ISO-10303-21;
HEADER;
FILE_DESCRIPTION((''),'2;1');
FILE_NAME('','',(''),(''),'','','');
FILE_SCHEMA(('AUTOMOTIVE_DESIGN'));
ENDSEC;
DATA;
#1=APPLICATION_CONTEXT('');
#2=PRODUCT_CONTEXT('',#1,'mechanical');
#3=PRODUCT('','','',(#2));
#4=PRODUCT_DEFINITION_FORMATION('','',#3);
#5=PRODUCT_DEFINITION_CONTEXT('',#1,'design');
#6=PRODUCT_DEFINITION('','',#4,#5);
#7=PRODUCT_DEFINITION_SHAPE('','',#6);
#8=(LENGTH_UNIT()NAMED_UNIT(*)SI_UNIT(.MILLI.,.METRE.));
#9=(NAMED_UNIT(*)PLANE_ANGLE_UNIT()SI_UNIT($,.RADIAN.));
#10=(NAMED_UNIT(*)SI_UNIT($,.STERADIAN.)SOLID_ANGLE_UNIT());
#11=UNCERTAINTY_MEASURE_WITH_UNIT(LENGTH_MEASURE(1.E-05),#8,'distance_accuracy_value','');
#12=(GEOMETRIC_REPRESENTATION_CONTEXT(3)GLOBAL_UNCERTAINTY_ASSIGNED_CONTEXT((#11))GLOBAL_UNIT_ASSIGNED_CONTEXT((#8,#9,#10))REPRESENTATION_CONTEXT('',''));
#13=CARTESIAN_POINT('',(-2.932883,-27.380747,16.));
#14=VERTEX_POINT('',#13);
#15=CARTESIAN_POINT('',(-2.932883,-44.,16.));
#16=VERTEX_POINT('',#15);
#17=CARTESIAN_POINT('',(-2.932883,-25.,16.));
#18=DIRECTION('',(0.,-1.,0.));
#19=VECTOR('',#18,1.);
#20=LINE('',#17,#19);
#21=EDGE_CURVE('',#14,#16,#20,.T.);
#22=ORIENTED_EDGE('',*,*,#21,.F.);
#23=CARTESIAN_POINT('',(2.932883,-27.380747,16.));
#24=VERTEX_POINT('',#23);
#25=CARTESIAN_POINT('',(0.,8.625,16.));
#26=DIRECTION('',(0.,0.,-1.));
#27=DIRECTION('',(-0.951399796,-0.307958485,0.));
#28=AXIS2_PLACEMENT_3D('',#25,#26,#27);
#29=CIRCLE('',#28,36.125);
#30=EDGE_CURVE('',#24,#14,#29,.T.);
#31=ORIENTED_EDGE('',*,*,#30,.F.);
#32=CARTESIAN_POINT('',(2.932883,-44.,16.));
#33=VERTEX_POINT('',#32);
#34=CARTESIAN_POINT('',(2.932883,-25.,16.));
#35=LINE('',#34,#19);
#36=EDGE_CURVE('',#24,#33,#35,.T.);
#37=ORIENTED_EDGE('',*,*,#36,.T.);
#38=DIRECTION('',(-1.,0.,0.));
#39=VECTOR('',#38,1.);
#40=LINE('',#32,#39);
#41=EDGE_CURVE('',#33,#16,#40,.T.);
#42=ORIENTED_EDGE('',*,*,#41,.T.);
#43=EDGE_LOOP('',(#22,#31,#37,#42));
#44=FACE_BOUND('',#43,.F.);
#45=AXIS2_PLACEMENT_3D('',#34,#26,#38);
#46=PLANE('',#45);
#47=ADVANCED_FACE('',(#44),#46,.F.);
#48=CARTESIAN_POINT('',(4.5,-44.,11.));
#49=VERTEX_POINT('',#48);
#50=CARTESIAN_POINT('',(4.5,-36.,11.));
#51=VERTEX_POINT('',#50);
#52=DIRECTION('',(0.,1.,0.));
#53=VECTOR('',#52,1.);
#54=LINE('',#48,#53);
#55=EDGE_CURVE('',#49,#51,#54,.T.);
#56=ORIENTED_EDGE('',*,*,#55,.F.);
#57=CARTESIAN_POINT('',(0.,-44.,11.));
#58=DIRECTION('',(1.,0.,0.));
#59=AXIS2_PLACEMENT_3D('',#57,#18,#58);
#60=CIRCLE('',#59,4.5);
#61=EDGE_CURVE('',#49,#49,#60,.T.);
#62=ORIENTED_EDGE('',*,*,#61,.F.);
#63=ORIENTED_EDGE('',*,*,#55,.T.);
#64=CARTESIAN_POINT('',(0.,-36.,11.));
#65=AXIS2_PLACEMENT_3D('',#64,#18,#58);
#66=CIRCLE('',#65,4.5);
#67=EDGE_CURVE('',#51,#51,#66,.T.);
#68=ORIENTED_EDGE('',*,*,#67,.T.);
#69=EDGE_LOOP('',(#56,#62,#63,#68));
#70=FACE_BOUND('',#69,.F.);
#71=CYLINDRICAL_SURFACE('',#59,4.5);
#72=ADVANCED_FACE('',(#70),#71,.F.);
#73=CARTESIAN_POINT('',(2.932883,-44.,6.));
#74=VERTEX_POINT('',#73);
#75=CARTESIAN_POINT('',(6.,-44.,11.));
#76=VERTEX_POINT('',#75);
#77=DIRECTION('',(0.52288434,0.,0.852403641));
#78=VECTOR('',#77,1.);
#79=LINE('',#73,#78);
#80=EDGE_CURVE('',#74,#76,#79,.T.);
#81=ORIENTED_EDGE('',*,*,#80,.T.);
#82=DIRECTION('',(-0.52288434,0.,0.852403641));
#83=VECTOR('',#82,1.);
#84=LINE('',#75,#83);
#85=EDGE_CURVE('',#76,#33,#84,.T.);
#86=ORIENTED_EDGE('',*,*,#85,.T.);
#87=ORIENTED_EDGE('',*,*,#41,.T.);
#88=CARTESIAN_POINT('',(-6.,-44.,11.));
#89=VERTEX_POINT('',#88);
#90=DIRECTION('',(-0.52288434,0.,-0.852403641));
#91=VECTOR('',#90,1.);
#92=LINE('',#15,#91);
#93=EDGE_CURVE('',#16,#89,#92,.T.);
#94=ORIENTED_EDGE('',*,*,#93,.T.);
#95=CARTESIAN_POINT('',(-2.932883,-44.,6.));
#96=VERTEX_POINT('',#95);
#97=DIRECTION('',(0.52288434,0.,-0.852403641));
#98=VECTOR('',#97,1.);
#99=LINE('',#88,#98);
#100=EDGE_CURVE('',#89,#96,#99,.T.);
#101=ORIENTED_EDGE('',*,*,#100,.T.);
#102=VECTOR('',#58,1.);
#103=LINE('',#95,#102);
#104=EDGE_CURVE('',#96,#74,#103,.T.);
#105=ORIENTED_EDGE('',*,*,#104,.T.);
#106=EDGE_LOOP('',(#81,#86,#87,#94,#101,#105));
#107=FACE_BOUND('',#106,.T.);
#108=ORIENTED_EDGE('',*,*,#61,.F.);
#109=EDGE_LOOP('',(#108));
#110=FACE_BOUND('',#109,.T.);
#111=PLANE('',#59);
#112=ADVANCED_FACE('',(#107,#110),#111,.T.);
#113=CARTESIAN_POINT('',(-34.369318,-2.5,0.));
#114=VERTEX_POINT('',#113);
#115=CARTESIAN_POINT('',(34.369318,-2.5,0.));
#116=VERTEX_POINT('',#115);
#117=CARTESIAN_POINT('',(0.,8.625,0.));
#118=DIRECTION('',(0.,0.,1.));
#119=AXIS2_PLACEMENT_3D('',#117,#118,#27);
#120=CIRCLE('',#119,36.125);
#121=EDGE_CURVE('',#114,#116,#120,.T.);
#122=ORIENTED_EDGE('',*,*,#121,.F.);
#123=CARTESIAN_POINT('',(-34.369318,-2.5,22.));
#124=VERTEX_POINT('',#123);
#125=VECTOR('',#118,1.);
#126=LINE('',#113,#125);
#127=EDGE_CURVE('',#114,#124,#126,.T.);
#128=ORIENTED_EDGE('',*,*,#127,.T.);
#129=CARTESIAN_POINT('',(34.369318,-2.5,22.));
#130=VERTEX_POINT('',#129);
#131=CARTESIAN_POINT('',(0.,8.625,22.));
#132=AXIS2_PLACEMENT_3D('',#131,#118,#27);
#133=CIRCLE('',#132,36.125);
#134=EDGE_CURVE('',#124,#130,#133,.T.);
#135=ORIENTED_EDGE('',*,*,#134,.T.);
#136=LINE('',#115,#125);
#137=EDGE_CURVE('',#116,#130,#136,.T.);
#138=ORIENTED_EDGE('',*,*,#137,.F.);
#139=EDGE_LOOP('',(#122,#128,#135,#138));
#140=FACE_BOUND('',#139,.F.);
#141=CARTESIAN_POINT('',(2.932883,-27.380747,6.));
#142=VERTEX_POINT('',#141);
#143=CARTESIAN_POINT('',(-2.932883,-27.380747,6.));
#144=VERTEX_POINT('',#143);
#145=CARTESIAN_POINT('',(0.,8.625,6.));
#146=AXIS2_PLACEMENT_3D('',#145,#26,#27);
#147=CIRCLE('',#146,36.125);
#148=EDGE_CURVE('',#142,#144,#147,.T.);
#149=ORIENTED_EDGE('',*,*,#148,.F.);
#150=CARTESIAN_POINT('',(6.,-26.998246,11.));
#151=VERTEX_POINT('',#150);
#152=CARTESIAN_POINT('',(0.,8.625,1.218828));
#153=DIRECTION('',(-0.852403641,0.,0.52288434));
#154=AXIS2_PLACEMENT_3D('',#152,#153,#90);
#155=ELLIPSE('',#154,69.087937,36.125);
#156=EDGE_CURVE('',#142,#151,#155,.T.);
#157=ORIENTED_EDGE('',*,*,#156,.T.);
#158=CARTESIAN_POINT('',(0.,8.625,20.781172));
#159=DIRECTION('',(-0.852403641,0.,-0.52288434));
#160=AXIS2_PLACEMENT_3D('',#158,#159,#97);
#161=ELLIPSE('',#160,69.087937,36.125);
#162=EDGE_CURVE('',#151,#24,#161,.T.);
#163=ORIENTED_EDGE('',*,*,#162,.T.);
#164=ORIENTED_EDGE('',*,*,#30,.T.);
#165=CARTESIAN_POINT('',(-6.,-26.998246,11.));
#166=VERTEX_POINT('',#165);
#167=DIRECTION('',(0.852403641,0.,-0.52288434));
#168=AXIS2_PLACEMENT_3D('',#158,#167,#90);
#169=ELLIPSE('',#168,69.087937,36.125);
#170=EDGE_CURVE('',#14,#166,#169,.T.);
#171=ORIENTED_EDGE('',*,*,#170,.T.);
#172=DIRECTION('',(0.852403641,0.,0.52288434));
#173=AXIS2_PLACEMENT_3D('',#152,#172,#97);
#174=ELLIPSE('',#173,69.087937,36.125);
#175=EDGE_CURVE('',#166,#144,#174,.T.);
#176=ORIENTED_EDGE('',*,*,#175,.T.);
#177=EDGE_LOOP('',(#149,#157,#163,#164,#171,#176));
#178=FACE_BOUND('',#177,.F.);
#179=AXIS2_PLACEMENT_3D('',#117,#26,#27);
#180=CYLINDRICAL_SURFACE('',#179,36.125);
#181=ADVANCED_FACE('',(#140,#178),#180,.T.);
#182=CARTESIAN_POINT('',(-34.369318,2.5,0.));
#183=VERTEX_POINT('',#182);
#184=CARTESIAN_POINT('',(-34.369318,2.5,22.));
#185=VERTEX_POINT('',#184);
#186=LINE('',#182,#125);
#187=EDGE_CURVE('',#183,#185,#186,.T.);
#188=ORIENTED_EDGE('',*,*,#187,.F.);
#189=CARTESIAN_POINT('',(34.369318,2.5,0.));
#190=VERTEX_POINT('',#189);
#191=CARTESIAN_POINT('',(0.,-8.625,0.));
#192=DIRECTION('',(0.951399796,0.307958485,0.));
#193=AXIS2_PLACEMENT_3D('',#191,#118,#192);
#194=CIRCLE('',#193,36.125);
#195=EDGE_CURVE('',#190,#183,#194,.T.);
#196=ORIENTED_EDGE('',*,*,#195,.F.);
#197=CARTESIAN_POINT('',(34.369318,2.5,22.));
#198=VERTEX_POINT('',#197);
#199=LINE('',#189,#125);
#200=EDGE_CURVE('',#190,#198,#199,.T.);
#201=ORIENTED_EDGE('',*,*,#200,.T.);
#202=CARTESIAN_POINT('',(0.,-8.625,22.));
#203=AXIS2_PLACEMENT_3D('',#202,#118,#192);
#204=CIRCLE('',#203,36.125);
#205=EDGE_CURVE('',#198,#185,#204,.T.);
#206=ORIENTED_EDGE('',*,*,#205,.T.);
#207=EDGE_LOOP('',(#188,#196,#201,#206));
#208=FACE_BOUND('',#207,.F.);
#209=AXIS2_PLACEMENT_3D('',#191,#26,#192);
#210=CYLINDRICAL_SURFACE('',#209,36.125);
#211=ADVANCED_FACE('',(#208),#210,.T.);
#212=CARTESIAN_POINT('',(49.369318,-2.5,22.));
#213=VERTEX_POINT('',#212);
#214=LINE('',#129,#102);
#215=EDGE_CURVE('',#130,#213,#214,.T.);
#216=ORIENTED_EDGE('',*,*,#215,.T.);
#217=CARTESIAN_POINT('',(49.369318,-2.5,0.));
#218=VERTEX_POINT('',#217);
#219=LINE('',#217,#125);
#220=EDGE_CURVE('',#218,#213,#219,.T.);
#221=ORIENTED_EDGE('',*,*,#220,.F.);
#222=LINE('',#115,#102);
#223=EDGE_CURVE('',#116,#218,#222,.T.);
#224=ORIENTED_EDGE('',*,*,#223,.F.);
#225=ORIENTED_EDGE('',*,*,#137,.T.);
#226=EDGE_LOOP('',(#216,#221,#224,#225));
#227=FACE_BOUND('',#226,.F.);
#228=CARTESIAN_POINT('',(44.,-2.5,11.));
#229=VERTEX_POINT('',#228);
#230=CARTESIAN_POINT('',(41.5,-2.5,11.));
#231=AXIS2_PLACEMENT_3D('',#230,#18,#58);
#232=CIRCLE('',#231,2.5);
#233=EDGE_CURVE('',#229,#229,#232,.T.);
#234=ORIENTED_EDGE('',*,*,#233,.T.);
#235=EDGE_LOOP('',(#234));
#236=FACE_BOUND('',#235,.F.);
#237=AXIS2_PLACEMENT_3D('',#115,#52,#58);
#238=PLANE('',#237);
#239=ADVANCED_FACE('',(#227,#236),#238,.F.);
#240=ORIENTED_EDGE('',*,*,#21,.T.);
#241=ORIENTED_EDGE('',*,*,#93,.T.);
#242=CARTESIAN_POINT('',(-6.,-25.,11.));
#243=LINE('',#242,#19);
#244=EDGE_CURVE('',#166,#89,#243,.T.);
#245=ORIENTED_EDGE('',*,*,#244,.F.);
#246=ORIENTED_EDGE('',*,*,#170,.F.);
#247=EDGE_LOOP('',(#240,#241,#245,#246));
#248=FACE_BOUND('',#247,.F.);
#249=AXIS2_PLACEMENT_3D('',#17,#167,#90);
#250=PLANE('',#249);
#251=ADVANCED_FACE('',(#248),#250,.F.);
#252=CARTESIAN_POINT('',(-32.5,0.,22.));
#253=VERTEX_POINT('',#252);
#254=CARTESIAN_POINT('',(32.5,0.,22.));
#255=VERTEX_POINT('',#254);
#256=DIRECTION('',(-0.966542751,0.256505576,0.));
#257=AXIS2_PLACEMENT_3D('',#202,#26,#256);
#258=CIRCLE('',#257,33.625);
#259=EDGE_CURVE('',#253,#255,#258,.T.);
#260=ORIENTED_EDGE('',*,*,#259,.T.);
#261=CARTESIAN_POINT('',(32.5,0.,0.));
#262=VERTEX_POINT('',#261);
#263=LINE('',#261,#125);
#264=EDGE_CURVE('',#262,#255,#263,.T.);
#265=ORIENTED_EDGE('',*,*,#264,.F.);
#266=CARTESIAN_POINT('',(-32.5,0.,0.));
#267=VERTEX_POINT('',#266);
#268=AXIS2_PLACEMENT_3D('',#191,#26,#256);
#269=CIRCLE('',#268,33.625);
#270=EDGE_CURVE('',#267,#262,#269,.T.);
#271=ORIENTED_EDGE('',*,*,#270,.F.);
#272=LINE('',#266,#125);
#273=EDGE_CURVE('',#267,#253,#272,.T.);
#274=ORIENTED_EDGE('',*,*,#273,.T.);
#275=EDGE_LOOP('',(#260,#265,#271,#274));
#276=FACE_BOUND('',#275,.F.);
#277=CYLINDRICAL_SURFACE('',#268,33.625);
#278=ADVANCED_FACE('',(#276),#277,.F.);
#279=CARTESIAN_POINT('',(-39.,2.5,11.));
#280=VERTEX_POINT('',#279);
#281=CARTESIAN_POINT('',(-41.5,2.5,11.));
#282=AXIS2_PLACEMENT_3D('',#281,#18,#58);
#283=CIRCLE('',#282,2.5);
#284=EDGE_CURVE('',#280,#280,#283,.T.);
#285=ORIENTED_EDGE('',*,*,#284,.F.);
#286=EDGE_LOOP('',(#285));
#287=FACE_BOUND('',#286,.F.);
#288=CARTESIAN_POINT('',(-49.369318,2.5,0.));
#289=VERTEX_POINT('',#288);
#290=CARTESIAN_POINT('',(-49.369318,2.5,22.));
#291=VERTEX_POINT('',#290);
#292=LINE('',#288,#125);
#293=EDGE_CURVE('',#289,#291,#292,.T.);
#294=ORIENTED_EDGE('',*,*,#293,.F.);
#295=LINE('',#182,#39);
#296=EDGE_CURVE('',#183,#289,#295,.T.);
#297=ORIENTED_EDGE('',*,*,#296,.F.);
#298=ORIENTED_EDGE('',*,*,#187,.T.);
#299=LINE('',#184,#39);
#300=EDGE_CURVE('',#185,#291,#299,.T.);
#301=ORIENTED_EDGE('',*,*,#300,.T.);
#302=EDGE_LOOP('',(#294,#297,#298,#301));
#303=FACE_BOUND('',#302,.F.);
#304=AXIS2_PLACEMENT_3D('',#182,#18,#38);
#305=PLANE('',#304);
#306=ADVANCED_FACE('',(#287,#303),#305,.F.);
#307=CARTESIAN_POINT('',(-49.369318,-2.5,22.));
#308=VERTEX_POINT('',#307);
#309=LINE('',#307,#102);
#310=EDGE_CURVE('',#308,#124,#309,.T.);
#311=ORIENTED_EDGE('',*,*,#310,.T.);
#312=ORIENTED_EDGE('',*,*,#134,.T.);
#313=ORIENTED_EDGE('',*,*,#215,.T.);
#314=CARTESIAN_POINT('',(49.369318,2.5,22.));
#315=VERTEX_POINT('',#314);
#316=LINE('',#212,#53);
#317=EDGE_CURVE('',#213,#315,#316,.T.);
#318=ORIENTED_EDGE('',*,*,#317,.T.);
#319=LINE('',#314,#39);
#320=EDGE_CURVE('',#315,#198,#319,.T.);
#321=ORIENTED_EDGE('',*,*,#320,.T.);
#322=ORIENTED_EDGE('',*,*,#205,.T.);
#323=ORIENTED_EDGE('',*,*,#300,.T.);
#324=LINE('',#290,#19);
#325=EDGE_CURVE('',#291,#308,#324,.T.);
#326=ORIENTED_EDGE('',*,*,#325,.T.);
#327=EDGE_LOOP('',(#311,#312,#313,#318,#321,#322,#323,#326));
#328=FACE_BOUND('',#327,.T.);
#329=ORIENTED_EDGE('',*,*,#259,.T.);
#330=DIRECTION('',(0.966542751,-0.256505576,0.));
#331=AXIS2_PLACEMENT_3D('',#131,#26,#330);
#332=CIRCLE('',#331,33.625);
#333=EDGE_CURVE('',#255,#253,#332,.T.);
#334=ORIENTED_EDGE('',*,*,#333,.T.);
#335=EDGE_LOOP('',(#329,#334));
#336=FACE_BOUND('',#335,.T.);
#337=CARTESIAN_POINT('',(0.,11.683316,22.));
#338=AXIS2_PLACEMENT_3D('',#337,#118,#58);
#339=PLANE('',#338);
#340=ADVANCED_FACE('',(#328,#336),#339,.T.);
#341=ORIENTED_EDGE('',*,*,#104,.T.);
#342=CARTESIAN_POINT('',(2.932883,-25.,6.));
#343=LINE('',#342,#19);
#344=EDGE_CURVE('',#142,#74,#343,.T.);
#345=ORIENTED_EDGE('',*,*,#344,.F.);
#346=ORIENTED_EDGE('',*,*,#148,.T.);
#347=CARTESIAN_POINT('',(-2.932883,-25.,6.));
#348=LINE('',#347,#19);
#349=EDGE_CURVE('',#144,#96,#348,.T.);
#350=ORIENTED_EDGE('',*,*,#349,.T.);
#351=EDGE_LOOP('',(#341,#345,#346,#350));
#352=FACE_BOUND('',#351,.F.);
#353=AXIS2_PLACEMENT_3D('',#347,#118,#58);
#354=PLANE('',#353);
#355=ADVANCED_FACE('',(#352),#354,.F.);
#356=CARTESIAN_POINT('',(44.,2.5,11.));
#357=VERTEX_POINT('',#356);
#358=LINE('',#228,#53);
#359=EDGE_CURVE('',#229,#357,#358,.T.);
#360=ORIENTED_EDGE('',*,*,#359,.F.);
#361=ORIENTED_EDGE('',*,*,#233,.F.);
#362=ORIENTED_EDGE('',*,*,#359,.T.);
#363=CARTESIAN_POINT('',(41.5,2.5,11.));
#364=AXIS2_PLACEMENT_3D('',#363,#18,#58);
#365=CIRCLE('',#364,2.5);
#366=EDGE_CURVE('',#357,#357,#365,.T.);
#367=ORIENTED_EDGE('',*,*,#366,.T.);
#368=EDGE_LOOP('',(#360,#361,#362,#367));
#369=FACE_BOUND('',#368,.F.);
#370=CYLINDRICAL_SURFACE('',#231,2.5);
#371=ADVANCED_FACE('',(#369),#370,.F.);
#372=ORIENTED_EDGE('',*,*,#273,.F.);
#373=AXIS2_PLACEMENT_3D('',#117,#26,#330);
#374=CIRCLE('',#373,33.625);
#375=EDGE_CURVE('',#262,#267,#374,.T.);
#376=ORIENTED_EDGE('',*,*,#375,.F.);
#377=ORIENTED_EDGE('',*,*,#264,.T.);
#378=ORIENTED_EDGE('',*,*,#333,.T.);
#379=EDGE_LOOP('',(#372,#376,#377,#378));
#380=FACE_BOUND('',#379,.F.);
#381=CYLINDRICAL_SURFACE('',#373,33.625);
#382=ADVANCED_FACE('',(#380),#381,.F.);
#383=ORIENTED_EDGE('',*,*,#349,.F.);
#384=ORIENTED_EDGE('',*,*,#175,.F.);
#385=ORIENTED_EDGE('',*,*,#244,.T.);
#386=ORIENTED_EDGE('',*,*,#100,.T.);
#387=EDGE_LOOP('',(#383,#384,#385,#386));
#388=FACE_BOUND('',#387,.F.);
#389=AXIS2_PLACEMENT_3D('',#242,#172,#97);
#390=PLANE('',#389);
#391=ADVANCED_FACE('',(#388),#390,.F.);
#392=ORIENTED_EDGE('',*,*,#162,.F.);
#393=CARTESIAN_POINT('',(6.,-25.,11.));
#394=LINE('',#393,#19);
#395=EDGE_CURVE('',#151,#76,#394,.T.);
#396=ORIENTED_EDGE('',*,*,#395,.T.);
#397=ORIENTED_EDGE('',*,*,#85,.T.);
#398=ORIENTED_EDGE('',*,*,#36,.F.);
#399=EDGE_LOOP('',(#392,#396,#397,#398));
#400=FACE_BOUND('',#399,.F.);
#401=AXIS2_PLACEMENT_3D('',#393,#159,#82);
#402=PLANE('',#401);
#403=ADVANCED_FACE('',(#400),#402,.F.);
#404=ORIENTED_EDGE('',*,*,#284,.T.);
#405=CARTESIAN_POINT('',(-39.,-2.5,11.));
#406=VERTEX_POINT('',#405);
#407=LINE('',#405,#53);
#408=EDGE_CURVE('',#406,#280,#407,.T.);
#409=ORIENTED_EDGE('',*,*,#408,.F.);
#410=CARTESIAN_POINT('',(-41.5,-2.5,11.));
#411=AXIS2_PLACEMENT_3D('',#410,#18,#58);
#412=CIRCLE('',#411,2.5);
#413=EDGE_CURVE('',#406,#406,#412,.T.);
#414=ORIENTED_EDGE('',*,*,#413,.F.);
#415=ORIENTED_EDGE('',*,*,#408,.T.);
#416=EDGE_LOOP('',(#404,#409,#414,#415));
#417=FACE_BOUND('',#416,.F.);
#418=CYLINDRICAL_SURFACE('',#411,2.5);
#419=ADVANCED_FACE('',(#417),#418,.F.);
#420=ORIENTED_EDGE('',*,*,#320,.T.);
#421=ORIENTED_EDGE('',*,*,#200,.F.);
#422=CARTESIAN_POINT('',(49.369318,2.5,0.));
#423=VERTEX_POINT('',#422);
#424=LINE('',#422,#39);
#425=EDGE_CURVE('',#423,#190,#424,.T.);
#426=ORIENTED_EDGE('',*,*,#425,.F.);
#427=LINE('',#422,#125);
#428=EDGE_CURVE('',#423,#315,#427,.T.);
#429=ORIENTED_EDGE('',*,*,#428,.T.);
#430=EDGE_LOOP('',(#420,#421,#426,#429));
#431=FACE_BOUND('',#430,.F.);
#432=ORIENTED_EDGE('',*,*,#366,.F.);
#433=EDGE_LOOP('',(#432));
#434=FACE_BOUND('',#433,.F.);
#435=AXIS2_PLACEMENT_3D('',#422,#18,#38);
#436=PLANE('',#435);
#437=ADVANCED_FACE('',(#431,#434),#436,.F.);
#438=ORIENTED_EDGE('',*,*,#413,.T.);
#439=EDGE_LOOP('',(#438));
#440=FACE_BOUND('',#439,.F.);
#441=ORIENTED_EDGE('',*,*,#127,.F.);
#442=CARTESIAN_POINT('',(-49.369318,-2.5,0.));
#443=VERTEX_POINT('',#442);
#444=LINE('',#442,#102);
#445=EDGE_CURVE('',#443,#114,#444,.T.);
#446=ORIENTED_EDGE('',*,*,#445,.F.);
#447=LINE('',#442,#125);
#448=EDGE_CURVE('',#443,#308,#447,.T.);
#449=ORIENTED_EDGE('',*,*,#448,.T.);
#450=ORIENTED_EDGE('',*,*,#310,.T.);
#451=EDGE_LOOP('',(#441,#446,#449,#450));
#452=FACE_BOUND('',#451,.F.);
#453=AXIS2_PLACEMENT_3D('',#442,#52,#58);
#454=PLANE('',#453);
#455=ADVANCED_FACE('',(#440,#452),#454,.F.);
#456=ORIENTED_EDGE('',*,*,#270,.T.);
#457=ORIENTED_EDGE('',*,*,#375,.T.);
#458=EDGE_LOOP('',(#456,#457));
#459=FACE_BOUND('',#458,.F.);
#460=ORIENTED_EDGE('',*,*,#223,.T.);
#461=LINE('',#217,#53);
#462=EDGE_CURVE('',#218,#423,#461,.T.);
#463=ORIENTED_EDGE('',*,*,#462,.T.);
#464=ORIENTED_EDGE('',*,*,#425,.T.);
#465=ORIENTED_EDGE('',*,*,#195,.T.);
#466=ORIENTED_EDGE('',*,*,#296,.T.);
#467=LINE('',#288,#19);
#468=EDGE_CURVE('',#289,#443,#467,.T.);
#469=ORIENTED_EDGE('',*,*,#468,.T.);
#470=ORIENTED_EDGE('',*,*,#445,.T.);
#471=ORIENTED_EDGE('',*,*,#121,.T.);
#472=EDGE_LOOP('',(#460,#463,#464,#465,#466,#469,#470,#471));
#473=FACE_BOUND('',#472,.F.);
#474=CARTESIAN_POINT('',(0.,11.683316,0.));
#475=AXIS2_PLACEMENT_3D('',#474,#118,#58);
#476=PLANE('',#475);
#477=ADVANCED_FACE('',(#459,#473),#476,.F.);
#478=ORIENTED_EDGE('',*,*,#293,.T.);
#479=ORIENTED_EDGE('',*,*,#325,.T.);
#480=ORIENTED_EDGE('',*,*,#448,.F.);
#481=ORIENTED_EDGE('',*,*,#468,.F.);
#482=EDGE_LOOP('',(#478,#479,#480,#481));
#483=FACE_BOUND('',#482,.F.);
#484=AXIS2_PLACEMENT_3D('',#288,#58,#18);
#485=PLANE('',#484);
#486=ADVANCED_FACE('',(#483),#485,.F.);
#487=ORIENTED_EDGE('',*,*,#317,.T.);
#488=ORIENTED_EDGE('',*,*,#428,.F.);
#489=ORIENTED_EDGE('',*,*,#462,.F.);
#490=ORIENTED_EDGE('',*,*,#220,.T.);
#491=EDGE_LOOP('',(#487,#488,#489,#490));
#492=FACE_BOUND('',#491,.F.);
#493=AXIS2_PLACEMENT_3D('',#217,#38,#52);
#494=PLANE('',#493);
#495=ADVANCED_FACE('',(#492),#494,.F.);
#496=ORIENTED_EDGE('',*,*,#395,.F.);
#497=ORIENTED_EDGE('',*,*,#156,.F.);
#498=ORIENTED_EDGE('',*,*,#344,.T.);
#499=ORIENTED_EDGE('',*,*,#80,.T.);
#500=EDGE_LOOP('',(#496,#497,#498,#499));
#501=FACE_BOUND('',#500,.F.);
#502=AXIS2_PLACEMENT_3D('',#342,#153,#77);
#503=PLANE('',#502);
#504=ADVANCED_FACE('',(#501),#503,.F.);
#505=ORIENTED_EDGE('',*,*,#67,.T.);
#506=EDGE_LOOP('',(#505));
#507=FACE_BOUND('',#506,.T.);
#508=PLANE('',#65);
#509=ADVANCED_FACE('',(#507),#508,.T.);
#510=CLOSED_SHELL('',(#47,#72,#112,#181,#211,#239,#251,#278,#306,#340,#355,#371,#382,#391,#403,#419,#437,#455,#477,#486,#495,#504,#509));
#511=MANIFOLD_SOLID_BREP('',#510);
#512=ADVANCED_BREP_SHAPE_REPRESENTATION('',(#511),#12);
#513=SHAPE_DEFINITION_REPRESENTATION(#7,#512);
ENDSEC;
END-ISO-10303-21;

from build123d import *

# Parameters (mm, degrees)
F1_DEPTH = 22
F4_DEPTH = 19
F5_R     = 2.5
F6_DEPTH = 5
F7_R     = 4.5
F8_DEPTH = 8


with BuildPart() as f1:
    # F0 (on Top) → F1 (new body)
    with BuildSketch(Plane.XY):
        with BuildLine():
            ThreePointArc((-32.5, 0), (0, 25), (32.5, 0))
            Line((32.5, 0), (49.369318, 0))
            Line((49.369318, 0), (49.369318, 2.5))
            Line((49.369318, 2.5), (34.369318, 2.5))
            ThreePointArc((34.369318, 2.5), (0, 27.5), (-34.369318, 2.5))
            Line((-34.369318, 2.5), (-49.369318, 2.5))
            Line((-49.369318, 2.5), (-49.369318, 0))
            Line((-49.369318, 0), (-32.5, 0))
        make_face()
        with BuildLine():
            Line((49.369318, 0), (32.5, 0))
            ThreePointArc((32.5, 0), (0, -25), (-32.5, 0))
            Line((-32.5, 0), (-49.369318, 0))
            Line((-49.369318, 0), (-49.369318, -2.5))
            Line((-49.369318, -2.5), (-34.369318, -2.5))
            ThreePointArc((-34.369318, -2.5), (0, -27.5), (34.369318, -2.5))
            Line((34.369318, -2.5), (49.369318, -2.5))
            Line((49.369318, -2.5), (49.369318, 0))
        make_face()
    extrude(amount=F1_DEPTH)

    # F3 (on offset) → F4 (join)
    with BuildSketch(Plane.XZ.offset(25)):
        Polygon((6, 11), (2.932883, 16), (-2.932883, 16), (-6, 11), (-2.932883, 6), (2.932883, 6), align=None)
    extrude(amount=F4_DEPTH)

    # F5 (on face) → F6 (cut, through all)
    with BuildSketch(Plane.XZ.offset(2.5)):
        with Locations((41.5, 11)):
            Circle(F5_R)
        with Locations((-41.5, 11)):
            Circle(F5_R)
    extrude(amount=-F6_DEPTH, mode=Mode.SUBTRACT)

    # F7 (on face) → F8 (cut)
    with BuildSketch(Plane.XZ.offset(44)):
        with Locations((0, 11)):
            Circle(F7_R)
    extrude(amount=-F8_DEPTH, mode=Mode.SUBTRACT)


solid = f1.part
